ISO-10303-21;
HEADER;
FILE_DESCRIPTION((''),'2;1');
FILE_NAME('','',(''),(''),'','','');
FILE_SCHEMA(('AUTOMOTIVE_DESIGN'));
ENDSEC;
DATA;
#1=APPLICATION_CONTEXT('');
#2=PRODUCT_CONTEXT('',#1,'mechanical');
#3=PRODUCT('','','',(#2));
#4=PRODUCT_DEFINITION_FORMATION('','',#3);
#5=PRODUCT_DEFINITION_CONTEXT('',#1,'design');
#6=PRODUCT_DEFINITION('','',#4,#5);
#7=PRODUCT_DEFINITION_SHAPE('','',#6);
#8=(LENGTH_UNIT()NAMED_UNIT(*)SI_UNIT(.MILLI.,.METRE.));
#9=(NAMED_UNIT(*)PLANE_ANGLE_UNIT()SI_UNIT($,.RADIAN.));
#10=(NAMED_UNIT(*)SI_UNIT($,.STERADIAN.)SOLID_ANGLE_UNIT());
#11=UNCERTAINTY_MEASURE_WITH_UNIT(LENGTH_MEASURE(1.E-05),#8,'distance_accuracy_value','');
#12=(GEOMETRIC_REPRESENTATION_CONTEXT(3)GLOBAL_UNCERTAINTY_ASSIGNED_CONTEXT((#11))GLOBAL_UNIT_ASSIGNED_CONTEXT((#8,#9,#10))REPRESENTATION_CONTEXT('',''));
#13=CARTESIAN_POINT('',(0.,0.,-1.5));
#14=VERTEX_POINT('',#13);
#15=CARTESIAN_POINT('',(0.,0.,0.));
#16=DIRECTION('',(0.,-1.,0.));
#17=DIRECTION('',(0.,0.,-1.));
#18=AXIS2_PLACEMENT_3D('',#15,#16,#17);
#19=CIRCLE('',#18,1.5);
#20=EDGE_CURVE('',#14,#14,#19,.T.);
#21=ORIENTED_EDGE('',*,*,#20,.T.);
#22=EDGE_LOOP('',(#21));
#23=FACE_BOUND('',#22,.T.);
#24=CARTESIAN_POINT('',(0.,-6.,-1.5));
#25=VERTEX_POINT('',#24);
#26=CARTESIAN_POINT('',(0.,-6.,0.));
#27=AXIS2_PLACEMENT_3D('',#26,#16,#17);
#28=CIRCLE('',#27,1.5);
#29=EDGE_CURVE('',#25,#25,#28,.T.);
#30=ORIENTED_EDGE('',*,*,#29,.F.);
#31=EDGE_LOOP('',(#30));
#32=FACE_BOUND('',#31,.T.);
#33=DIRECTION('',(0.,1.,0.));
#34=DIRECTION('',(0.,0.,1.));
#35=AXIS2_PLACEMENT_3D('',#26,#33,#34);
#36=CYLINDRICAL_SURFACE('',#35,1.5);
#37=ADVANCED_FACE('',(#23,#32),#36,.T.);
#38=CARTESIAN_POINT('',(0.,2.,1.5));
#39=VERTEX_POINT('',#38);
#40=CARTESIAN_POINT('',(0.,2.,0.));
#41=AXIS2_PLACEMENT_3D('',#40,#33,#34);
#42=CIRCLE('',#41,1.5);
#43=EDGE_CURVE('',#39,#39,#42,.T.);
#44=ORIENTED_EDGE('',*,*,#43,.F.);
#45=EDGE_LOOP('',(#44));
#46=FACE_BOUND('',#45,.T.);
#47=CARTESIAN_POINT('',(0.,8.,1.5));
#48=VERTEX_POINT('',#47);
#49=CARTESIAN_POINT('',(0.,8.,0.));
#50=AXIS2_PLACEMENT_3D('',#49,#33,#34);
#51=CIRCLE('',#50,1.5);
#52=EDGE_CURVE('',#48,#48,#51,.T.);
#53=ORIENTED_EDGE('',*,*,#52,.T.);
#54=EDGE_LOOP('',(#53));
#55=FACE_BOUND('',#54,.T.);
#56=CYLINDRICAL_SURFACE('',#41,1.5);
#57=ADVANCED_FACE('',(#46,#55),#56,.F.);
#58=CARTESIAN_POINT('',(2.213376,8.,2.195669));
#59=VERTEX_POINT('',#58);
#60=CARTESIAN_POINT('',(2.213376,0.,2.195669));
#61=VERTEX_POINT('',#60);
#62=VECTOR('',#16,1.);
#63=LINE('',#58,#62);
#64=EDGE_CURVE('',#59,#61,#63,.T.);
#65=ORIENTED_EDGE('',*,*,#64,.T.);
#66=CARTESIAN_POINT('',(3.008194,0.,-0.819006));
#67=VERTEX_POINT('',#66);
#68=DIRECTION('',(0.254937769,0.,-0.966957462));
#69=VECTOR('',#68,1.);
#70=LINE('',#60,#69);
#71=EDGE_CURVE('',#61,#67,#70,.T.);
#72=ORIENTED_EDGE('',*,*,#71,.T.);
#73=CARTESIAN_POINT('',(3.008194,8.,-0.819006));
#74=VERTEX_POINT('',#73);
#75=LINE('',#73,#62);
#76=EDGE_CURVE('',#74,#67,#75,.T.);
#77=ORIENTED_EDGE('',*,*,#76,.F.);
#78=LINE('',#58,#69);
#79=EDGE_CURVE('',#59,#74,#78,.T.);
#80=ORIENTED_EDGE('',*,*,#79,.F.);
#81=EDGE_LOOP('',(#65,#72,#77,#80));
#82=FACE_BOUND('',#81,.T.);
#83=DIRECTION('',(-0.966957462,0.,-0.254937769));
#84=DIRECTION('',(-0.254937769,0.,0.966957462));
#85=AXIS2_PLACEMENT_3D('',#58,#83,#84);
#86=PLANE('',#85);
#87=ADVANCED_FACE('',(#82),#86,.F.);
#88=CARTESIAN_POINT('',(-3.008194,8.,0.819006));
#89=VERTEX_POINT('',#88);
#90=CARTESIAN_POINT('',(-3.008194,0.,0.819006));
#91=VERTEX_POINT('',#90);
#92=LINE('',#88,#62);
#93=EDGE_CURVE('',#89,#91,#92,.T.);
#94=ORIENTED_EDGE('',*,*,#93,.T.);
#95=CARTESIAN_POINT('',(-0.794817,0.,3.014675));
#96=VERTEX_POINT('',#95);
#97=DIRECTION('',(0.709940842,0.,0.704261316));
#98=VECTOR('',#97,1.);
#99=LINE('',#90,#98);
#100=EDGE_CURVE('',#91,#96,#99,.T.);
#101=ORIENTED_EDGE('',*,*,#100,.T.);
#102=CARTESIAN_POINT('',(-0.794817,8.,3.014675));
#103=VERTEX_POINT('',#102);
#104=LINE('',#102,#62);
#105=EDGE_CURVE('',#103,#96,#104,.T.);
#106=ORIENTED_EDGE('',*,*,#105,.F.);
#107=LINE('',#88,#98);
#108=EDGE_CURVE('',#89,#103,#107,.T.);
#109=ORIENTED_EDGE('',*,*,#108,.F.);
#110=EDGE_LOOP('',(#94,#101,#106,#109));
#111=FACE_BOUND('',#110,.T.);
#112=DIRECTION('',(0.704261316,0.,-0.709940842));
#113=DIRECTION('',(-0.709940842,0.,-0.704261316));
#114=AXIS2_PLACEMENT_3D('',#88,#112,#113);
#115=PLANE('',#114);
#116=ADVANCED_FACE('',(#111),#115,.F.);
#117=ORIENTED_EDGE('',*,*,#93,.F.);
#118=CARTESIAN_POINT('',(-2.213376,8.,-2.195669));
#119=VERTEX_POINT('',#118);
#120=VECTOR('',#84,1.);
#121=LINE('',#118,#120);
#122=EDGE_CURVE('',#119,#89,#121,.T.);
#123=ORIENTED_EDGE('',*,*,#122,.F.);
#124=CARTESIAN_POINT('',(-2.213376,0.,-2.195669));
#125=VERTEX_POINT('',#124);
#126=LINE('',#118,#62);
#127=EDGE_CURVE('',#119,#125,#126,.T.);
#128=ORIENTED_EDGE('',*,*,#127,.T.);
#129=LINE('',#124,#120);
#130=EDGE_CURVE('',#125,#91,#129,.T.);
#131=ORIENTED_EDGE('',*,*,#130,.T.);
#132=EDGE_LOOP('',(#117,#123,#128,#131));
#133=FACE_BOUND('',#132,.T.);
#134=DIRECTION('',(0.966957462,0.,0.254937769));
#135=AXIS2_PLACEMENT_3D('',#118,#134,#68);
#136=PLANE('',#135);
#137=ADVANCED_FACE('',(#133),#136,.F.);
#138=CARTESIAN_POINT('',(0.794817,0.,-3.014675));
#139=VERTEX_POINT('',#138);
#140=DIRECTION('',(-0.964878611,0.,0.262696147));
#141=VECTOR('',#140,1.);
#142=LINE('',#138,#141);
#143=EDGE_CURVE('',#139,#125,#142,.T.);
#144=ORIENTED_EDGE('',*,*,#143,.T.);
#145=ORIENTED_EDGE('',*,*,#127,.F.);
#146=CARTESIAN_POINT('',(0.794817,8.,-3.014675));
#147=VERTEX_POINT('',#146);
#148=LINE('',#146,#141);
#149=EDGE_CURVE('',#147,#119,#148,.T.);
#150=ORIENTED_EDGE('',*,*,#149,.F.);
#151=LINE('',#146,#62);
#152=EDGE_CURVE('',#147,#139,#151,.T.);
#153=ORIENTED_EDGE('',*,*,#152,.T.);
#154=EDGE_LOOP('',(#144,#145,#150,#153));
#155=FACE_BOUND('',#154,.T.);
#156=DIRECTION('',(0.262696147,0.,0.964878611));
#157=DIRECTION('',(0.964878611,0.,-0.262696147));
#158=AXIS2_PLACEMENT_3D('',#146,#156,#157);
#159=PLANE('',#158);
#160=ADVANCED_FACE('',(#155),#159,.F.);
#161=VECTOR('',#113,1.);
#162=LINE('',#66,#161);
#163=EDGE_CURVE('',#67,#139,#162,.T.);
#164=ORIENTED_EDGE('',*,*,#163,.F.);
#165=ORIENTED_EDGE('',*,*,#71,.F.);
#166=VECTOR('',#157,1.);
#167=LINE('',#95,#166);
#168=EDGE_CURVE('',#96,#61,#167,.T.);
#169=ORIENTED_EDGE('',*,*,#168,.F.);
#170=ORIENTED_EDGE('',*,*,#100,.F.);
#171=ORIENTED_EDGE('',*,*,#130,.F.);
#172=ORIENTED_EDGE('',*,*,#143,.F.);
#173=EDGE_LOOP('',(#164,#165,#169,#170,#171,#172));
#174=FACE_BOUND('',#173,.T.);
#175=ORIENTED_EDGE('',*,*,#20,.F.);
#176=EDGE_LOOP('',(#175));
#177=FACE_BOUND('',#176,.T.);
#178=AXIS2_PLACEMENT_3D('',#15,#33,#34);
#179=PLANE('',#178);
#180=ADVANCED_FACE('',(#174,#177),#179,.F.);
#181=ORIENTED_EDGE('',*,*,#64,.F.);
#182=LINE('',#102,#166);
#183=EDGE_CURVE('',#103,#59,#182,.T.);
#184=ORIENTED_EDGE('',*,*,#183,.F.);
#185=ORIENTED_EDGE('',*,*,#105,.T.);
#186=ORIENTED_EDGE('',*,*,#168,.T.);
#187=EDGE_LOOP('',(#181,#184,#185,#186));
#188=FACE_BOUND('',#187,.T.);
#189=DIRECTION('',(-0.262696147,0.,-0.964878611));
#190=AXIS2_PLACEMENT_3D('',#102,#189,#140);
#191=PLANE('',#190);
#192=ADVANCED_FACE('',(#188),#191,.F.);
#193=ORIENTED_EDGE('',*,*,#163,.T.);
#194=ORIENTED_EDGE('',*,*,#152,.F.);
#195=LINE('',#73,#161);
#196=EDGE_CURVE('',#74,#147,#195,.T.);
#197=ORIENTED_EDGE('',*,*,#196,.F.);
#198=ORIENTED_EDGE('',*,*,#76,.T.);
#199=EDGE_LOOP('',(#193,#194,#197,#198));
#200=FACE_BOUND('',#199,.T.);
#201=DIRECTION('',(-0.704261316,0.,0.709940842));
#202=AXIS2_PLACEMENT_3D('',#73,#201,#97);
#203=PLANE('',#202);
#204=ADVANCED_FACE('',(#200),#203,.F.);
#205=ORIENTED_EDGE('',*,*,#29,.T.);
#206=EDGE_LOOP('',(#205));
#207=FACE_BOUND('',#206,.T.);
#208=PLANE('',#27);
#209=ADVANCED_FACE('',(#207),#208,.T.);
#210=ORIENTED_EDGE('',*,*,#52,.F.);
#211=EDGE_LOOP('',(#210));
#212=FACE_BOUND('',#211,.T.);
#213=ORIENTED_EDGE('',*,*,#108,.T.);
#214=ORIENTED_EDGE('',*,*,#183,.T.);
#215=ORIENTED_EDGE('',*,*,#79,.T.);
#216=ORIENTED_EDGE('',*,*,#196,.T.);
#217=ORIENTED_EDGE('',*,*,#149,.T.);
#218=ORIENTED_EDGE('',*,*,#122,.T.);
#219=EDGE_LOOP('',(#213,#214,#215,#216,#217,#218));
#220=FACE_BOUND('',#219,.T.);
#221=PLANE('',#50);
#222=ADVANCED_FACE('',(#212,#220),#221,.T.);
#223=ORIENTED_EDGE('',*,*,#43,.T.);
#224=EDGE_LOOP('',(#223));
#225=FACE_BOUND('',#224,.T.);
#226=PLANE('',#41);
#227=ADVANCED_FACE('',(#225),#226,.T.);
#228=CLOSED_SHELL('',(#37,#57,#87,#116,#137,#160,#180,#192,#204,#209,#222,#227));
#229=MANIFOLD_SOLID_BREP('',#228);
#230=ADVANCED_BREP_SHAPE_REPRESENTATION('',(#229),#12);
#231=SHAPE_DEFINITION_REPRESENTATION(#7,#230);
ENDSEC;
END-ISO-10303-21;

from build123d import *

# Parameters (mm, degrees)
BOSS_EXTRUDE1_DEPTH = 8
SKETCH2_R           = 1.5
CUT_EXTRUDE1_DEPTH  = 6
SKETCH3_R           = 1.5
BOSS_EXTRUDE2_DEPTH = 6


with BuildPart() as part:
    # Sketch1 → Boss-Extrude1 (new body)
    with BuildSketch(Plane(origin=(0, 0, 0), x_dir=(1, 0, 0), z_dir=(0, 1, 0))):
        Polygon((2.213376496, -2.195669484), (3.0081938, 0.819005532), (0.794817304, 3.014675016), (-2.213376496, 2.195669484), (-3.0081938, -0.819005532), (-0.794817304, -3.014675016), align=None)
    extrude(amount=BOSS_EXTRUDE1_DEPTH)

    # Sketch2 → Cut-Extrude1 (cut)
    with BuildSketch(Plane(origin=(0, 8, 0), x_dir=(1, 0, 0), z_dir=(0, 1, 0))):
        Circle(SKETCH2_R)
    extrude(amount=-CUT_EXTRUDE1_DEPTH, mode=Mode.SUBTRACT)

    # Sketch3 → Boss-Extrude2 (add)
    with BuildSketch(Plane.XZ):
        Circle(SKETCH3_R)
    extrude(amount=BOSS_EXTRUDE2_DEPTH)


solid = part.part
